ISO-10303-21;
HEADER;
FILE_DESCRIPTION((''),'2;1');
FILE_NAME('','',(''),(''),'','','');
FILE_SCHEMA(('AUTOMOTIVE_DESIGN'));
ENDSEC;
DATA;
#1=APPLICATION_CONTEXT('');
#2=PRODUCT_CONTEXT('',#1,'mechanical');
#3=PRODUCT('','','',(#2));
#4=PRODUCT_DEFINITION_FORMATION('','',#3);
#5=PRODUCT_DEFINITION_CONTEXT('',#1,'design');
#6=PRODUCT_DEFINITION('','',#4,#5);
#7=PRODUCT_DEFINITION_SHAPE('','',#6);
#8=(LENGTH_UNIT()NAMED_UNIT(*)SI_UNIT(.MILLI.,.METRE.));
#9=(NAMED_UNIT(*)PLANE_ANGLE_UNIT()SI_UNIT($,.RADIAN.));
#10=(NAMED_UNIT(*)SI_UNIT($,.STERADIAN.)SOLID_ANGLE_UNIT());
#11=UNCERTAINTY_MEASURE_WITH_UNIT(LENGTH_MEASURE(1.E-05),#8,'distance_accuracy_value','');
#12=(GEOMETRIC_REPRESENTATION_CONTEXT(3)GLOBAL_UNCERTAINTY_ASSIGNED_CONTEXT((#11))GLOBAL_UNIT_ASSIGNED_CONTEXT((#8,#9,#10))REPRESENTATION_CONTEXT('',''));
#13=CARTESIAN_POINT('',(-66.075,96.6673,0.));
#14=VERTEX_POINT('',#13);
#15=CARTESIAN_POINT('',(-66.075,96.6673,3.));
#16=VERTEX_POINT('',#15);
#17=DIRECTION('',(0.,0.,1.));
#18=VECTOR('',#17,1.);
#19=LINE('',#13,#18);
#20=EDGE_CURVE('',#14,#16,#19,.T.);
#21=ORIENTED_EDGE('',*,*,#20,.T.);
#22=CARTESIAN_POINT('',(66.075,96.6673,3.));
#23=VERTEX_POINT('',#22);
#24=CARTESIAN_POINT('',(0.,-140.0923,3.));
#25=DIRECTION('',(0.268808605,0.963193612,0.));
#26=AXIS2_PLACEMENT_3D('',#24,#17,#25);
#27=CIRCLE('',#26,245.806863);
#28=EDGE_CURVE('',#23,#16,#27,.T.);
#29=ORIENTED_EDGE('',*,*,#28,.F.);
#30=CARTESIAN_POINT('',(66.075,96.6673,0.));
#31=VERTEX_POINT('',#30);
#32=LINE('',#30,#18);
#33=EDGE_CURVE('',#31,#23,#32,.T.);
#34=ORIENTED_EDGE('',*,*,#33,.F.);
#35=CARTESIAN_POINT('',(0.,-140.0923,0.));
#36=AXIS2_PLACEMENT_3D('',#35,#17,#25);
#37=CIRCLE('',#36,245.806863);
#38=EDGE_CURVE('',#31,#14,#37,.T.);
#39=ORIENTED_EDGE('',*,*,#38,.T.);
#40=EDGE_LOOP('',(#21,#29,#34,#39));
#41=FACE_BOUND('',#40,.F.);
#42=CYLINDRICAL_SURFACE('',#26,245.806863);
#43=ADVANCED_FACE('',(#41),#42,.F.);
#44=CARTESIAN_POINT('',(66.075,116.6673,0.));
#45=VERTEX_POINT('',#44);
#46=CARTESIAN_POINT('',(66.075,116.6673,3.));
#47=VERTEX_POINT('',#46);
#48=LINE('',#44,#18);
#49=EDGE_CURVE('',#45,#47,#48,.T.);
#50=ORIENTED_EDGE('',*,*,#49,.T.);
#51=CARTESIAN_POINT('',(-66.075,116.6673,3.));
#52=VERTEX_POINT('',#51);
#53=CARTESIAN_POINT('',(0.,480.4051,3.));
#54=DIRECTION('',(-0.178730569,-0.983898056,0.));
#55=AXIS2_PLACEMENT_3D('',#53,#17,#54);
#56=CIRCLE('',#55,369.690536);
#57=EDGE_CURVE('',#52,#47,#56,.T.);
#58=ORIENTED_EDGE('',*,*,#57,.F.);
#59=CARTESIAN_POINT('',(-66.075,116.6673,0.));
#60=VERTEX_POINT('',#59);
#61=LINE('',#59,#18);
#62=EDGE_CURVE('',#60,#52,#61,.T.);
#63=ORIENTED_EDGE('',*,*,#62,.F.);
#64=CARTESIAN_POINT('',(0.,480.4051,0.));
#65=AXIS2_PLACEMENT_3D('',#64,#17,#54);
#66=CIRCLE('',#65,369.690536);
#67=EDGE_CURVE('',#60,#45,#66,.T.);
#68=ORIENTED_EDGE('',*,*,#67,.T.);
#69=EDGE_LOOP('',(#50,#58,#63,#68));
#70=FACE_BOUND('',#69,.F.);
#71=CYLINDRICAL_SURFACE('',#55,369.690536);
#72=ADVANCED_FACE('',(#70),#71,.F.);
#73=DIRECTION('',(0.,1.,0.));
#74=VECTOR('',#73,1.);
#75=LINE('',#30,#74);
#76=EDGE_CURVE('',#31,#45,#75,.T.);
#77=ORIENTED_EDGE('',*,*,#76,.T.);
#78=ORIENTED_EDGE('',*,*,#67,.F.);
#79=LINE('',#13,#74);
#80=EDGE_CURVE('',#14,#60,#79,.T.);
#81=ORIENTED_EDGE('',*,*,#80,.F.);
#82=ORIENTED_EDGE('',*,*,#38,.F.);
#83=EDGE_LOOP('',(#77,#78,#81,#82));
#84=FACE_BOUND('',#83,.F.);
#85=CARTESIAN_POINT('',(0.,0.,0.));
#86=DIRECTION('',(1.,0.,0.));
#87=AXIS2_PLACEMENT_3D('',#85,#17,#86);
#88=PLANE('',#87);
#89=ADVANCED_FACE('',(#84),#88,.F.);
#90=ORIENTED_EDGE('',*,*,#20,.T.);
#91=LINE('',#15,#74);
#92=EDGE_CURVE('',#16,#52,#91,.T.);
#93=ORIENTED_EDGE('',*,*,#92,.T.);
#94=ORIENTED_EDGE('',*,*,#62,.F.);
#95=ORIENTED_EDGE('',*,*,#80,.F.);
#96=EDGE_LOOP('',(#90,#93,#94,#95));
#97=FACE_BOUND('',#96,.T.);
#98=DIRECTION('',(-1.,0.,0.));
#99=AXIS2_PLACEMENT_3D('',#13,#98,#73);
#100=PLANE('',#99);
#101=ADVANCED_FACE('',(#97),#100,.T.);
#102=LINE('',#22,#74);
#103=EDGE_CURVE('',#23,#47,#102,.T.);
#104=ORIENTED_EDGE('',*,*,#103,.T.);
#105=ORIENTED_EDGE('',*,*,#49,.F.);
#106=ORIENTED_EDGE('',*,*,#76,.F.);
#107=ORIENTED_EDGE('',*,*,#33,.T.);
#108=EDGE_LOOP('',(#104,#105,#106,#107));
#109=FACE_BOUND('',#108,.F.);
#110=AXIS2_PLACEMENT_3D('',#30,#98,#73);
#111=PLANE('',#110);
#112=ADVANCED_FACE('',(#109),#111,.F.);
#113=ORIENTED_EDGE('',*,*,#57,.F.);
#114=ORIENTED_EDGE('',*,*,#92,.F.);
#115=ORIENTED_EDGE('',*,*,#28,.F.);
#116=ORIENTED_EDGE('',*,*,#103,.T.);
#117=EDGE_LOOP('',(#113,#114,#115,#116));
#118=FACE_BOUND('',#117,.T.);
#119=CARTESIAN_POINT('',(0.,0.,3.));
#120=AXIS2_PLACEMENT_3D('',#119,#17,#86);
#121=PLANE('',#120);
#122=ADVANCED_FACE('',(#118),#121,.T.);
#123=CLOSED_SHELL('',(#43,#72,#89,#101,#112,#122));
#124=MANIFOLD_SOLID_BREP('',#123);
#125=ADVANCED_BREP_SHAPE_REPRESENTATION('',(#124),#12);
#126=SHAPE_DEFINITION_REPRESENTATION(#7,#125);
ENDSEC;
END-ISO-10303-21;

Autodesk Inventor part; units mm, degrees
ref_plane "YZ Plane" through (0, 0, 0) normal (1, 0, 0) x (0, 1, 0)
ref_plane "XZ Plane" through (0, 0, 0) normal (0, 1, 0) x (-1, 0, 0)
ref_plane "XY Plane" through (0, 0, 0) normal (0, 0, 1) x (1, 0, 0)
sketch "Sketch1" plane through (0, 0, 0) normal (0, 0, 1) x (1, 0, 0)
  line L0 (-157.15, 140.4486) -> (-157.15, -171.5087) projected
  line L1 (-157.15, -171.5087) -> (157.15, -171.5087) projected
  line L2 (157.15, -171.5087) -> (157.15, 140.4486) projected
  line L3 (157.15, 140.4486) -> (-157.15, 140.4486) projected
  line L4 (66.075, 96.6673) -> (66.075, 141.6673) projected
  line L5 (66.075, 96.6673) -> (-66.075, 96.6673)
  line L6 (-66.075, 96.6673) -> (-66.075, 116.6673)
  line L7 (-66.075, 116.6673) -> (66.075, 116.6673)
  line L8 (66.075, 116.6673) -> (66.075, 96.6673)
  point P0 (0, 0)
  dimension "d0" = 132.15
  dimension "d1" = 20
extrude "Extrusion1" add sketch "Sketch1" along normal blind 3 contours L4 L5 L6 L7
sketch "Sketch2" plane through (0, 0, 3) normal (0, 0, 1) x (1, 0, 0)
  line L0 (-66.075, 96.6673) -> (66.075, 96.6673) projected
  line L1 (-66.075, 116.6673) -> (-66.075, 96.6673) projected
  arc A0 (66.075, 96.6673) -> (-66.075, 96.6673) centre (0, -140.0923) ccw
  line L2 (66.075, 116.6673) -> (-66.075, 116.6673) projected
  arc A1 (-66.075, 116.6673) -> (66.075, 116.6673) centre (0, 480.4051) ccw
  point P0 (0, 0)
  point P1 (0, 110.7145)
  point P2 (0, 105.7145)
  dimension "d4" = 5
extrude "Extrusion2" cut sketch "Sketch2" against normal through all
properties part number "spacer"
